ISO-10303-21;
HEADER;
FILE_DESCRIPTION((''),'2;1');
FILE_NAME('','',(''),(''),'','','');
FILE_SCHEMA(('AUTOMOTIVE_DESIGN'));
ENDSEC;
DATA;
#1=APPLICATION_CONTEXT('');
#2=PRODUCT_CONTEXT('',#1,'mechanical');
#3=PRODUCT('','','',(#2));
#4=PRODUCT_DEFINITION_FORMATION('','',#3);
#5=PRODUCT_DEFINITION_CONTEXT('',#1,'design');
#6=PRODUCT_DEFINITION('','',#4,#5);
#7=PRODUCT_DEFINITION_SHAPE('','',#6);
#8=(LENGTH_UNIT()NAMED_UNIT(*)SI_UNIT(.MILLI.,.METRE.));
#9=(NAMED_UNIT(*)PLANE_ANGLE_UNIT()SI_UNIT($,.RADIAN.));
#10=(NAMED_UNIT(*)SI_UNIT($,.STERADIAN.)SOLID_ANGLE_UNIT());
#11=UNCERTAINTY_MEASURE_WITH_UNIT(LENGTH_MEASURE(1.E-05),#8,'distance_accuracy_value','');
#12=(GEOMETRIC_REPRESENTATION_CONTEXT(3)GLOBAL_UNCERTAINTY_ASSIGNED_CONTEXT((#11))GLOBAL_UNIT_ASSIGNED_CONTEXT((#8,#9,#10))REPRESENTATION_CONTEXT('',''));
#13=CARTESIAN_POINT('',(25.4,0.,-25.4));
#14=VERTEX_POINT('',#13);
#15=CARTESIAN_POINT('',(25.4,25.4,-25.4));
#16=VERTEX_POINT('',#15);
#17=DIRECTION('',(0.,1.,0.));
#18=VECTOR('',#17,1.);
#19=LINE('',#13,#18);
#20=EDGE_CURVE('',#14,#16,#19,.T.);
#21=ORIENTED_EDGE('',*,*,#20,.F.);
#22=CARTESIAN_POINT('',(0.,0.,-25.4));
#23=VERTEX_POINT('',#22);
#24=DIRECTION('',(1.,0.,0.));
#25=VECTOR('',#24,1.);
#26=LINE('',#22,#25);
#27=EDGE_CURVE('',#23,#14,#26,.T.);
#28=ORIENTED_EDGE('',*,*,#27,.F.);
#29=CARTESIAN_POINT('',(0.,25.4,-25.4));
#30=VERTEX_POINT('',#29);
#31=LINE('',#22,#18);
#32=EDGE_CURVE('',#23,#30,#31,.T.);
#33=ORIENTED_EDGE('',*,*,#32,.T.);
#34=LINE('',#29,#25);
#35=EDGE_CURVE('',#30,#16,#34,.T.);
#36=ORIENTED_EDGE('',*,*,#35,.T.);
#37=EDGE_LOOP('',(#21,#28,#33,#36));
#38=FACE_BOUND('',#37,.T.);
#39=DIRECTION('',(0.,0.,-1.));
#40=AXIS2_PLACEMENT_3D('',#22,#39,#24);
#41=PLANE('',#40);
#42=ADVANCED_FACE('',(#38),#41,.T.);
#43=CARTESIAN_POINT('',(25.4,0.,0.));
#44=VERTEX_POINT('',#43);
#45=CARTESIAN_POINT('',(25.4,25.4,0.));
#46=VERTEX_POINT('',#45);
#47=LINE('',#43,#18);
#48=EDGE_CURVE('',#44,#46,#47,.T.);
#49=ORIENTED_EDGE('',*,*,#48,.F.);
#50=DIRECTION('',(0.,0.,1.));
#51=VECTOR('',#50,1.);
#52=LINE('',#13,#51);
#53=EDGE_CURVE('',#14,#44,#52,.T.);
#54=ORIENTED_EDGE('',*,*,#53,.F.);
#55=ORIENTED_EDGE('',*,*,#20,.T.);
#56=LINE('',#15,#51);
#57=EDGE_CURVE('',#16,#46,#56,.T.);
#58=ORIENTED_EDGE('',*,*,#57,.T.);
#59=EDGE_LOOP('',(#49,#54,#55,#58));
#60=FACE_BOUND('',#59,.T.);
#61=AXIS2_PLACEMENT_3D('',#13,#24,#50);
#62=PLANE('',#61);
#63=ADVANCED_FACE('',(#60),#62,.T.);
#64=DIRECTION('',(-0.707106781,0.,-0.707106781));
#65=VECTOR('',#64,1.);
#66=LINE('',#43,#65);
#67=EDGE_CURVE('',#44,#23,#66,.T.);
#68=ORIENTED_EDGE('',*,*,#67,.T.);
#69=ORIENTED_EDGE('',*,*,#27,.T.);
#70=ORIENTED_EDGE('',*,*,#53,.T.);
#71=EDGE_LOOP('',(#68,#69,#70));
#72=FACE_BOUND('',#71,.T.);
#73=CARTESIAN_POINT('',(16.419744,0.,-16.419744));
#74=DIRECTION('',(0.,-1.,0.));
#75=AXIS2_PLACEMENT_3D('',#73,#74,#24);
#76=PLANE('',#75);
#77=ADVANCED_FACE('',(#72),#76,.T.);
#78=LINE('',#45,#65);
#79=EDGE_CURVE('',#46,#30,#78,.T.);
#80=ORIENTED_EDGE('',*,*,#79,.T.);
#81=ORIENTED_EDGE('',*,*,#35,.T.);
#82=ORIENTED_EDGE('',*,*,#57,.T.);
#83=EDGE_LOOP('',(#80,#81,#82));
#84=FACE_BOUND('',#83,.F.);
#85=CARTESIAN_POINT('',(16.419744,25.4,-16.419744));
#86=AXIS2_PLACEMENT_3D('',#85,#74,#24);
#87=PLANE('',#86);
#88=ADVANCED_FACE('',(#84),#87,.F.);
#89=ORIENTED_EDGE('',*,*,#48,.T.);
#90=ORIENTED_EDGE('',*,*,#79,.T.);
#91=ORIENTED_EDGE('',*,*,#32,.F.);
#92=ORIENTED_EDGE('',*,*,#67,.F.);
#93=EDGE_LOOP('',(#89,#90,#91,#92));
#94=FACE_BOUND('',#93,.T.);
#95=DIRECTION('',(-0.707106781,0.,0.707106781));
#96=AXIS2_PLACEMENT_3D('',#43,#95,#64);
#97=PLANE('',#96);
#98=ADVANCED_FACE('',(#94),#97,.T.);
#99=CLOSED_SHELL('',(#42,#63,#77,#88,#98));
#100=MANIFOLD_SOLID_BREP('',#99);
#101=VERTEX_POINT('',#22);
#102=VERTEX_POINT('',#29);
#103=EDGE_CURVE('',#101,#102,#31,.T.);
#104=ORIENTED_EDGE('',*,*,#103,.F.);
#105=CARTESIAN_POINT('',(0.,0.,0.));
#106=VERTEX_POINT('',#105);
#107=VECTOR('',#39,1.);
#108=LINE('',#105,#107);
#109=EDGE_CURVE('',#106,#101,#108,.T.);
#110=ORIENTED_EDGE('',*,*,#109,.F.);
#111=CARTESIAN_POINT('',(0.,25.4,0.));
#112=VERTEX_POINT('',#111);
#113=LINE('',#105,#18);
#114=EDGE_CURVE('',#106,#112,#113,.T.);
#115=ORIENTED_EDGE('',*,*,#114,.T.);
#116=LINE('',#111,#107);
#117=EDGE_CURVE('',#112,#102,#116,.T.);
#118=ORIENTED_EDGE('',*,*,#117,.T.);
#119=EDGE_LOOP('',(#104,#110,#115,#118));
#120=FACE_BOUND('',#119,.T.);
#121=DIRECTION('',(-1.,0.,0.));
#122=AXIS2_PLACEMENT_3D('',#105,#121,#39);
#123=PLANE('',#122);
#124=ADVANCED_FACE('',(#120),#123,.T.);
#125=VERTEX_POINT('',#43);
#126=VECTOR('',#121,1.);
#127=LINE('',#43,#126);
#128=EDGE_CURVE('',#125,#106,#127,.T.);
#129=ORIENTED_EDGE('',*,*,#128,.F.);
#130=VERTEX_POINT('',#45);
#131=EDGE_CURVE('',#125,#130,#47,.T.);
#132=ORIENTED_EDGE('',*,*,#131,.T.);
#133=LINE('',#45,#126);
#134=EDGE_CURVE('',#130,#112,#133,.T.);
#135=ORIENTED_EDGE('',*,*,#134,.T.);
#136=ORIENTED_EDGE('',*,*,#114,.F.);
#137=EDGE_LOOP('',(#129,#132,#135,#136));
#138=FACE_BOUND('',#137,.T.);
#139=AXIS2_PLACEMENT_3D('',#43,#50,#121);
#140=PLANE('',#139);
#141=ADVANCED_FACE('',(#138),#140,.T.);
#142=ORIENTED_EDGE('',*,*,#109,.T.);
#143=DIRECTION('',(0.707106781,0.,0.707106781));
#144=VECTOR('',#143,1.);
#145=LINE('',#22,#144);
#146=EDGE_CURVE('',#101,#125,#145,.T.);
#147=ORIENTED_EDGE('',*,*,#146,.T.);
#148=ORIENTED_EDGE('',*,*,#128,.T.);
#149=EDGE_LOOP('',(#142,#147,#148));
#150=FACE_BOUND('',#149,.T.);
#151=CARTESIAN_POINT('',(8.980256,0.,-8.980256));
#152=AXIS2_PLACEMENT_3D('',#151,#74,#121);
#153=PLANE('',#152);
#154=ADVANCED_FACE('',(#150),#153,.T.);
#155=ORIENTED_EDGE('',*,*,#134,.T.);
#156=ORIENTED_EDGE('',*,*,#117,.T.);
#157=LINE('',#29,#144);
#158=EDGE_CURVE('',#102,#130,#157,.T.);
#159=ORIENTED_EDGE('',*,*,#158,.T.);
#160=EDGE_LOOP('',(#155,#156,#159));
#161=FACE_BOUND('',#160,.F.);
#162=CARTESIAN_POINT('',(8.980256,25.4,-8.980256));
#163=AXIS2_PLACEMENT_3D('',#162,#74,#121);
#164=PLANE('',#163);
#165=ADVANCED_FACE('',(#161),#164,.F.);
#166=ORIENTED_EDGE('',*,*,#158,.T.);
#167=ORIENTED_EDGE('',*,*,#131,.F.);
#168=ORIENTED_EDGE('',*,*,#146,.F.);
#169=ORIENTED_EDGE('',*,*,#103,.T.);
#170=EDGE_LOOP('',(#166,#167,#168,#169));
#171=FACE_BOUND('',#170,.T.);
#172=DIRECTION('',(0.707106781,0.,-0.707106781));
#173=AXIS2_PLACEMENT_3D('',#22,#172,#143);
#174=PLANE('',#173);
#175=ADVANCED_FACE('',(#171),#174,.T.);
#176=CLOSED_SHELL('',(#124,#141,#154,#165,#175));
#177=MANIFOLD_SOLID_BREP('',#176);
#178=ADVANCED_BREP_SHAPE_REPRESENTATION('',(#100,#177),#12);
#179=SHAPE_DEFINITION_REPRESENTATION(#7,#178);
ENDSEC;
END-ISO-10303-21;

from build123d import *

# Parameters (mm, degrees)
EXTRUDE_1_DEPTH = 25.4
EXTRUDE_2_DEPTH = 25.4


with BuildPart() as part:
    # 草图1 → 凸台-拉伸1 (new body)
    with BuildSketch(Plane(origin=(0, 0, 0), x_dir=(1, 0, 0), z_dir=(0, 1, 0))):
        Polygon((0, 0), (0, 25.4), (25.4, 0), align=None)
    extrude(amount=EXTRUDE_1_DEPTH)


with BuildPart() as body_2:
    # 草图2 → 凸台-拉伸2 (new body)
    with BuildSketch(Plane.XZ):
        Polygon((0, -25.4), (25.4, -25.4), (25.4, 0), align=None)
    extrude(amount=-EXTRUDE_2_DEPTH)


solid = Compound([part.part, body_2.part])
